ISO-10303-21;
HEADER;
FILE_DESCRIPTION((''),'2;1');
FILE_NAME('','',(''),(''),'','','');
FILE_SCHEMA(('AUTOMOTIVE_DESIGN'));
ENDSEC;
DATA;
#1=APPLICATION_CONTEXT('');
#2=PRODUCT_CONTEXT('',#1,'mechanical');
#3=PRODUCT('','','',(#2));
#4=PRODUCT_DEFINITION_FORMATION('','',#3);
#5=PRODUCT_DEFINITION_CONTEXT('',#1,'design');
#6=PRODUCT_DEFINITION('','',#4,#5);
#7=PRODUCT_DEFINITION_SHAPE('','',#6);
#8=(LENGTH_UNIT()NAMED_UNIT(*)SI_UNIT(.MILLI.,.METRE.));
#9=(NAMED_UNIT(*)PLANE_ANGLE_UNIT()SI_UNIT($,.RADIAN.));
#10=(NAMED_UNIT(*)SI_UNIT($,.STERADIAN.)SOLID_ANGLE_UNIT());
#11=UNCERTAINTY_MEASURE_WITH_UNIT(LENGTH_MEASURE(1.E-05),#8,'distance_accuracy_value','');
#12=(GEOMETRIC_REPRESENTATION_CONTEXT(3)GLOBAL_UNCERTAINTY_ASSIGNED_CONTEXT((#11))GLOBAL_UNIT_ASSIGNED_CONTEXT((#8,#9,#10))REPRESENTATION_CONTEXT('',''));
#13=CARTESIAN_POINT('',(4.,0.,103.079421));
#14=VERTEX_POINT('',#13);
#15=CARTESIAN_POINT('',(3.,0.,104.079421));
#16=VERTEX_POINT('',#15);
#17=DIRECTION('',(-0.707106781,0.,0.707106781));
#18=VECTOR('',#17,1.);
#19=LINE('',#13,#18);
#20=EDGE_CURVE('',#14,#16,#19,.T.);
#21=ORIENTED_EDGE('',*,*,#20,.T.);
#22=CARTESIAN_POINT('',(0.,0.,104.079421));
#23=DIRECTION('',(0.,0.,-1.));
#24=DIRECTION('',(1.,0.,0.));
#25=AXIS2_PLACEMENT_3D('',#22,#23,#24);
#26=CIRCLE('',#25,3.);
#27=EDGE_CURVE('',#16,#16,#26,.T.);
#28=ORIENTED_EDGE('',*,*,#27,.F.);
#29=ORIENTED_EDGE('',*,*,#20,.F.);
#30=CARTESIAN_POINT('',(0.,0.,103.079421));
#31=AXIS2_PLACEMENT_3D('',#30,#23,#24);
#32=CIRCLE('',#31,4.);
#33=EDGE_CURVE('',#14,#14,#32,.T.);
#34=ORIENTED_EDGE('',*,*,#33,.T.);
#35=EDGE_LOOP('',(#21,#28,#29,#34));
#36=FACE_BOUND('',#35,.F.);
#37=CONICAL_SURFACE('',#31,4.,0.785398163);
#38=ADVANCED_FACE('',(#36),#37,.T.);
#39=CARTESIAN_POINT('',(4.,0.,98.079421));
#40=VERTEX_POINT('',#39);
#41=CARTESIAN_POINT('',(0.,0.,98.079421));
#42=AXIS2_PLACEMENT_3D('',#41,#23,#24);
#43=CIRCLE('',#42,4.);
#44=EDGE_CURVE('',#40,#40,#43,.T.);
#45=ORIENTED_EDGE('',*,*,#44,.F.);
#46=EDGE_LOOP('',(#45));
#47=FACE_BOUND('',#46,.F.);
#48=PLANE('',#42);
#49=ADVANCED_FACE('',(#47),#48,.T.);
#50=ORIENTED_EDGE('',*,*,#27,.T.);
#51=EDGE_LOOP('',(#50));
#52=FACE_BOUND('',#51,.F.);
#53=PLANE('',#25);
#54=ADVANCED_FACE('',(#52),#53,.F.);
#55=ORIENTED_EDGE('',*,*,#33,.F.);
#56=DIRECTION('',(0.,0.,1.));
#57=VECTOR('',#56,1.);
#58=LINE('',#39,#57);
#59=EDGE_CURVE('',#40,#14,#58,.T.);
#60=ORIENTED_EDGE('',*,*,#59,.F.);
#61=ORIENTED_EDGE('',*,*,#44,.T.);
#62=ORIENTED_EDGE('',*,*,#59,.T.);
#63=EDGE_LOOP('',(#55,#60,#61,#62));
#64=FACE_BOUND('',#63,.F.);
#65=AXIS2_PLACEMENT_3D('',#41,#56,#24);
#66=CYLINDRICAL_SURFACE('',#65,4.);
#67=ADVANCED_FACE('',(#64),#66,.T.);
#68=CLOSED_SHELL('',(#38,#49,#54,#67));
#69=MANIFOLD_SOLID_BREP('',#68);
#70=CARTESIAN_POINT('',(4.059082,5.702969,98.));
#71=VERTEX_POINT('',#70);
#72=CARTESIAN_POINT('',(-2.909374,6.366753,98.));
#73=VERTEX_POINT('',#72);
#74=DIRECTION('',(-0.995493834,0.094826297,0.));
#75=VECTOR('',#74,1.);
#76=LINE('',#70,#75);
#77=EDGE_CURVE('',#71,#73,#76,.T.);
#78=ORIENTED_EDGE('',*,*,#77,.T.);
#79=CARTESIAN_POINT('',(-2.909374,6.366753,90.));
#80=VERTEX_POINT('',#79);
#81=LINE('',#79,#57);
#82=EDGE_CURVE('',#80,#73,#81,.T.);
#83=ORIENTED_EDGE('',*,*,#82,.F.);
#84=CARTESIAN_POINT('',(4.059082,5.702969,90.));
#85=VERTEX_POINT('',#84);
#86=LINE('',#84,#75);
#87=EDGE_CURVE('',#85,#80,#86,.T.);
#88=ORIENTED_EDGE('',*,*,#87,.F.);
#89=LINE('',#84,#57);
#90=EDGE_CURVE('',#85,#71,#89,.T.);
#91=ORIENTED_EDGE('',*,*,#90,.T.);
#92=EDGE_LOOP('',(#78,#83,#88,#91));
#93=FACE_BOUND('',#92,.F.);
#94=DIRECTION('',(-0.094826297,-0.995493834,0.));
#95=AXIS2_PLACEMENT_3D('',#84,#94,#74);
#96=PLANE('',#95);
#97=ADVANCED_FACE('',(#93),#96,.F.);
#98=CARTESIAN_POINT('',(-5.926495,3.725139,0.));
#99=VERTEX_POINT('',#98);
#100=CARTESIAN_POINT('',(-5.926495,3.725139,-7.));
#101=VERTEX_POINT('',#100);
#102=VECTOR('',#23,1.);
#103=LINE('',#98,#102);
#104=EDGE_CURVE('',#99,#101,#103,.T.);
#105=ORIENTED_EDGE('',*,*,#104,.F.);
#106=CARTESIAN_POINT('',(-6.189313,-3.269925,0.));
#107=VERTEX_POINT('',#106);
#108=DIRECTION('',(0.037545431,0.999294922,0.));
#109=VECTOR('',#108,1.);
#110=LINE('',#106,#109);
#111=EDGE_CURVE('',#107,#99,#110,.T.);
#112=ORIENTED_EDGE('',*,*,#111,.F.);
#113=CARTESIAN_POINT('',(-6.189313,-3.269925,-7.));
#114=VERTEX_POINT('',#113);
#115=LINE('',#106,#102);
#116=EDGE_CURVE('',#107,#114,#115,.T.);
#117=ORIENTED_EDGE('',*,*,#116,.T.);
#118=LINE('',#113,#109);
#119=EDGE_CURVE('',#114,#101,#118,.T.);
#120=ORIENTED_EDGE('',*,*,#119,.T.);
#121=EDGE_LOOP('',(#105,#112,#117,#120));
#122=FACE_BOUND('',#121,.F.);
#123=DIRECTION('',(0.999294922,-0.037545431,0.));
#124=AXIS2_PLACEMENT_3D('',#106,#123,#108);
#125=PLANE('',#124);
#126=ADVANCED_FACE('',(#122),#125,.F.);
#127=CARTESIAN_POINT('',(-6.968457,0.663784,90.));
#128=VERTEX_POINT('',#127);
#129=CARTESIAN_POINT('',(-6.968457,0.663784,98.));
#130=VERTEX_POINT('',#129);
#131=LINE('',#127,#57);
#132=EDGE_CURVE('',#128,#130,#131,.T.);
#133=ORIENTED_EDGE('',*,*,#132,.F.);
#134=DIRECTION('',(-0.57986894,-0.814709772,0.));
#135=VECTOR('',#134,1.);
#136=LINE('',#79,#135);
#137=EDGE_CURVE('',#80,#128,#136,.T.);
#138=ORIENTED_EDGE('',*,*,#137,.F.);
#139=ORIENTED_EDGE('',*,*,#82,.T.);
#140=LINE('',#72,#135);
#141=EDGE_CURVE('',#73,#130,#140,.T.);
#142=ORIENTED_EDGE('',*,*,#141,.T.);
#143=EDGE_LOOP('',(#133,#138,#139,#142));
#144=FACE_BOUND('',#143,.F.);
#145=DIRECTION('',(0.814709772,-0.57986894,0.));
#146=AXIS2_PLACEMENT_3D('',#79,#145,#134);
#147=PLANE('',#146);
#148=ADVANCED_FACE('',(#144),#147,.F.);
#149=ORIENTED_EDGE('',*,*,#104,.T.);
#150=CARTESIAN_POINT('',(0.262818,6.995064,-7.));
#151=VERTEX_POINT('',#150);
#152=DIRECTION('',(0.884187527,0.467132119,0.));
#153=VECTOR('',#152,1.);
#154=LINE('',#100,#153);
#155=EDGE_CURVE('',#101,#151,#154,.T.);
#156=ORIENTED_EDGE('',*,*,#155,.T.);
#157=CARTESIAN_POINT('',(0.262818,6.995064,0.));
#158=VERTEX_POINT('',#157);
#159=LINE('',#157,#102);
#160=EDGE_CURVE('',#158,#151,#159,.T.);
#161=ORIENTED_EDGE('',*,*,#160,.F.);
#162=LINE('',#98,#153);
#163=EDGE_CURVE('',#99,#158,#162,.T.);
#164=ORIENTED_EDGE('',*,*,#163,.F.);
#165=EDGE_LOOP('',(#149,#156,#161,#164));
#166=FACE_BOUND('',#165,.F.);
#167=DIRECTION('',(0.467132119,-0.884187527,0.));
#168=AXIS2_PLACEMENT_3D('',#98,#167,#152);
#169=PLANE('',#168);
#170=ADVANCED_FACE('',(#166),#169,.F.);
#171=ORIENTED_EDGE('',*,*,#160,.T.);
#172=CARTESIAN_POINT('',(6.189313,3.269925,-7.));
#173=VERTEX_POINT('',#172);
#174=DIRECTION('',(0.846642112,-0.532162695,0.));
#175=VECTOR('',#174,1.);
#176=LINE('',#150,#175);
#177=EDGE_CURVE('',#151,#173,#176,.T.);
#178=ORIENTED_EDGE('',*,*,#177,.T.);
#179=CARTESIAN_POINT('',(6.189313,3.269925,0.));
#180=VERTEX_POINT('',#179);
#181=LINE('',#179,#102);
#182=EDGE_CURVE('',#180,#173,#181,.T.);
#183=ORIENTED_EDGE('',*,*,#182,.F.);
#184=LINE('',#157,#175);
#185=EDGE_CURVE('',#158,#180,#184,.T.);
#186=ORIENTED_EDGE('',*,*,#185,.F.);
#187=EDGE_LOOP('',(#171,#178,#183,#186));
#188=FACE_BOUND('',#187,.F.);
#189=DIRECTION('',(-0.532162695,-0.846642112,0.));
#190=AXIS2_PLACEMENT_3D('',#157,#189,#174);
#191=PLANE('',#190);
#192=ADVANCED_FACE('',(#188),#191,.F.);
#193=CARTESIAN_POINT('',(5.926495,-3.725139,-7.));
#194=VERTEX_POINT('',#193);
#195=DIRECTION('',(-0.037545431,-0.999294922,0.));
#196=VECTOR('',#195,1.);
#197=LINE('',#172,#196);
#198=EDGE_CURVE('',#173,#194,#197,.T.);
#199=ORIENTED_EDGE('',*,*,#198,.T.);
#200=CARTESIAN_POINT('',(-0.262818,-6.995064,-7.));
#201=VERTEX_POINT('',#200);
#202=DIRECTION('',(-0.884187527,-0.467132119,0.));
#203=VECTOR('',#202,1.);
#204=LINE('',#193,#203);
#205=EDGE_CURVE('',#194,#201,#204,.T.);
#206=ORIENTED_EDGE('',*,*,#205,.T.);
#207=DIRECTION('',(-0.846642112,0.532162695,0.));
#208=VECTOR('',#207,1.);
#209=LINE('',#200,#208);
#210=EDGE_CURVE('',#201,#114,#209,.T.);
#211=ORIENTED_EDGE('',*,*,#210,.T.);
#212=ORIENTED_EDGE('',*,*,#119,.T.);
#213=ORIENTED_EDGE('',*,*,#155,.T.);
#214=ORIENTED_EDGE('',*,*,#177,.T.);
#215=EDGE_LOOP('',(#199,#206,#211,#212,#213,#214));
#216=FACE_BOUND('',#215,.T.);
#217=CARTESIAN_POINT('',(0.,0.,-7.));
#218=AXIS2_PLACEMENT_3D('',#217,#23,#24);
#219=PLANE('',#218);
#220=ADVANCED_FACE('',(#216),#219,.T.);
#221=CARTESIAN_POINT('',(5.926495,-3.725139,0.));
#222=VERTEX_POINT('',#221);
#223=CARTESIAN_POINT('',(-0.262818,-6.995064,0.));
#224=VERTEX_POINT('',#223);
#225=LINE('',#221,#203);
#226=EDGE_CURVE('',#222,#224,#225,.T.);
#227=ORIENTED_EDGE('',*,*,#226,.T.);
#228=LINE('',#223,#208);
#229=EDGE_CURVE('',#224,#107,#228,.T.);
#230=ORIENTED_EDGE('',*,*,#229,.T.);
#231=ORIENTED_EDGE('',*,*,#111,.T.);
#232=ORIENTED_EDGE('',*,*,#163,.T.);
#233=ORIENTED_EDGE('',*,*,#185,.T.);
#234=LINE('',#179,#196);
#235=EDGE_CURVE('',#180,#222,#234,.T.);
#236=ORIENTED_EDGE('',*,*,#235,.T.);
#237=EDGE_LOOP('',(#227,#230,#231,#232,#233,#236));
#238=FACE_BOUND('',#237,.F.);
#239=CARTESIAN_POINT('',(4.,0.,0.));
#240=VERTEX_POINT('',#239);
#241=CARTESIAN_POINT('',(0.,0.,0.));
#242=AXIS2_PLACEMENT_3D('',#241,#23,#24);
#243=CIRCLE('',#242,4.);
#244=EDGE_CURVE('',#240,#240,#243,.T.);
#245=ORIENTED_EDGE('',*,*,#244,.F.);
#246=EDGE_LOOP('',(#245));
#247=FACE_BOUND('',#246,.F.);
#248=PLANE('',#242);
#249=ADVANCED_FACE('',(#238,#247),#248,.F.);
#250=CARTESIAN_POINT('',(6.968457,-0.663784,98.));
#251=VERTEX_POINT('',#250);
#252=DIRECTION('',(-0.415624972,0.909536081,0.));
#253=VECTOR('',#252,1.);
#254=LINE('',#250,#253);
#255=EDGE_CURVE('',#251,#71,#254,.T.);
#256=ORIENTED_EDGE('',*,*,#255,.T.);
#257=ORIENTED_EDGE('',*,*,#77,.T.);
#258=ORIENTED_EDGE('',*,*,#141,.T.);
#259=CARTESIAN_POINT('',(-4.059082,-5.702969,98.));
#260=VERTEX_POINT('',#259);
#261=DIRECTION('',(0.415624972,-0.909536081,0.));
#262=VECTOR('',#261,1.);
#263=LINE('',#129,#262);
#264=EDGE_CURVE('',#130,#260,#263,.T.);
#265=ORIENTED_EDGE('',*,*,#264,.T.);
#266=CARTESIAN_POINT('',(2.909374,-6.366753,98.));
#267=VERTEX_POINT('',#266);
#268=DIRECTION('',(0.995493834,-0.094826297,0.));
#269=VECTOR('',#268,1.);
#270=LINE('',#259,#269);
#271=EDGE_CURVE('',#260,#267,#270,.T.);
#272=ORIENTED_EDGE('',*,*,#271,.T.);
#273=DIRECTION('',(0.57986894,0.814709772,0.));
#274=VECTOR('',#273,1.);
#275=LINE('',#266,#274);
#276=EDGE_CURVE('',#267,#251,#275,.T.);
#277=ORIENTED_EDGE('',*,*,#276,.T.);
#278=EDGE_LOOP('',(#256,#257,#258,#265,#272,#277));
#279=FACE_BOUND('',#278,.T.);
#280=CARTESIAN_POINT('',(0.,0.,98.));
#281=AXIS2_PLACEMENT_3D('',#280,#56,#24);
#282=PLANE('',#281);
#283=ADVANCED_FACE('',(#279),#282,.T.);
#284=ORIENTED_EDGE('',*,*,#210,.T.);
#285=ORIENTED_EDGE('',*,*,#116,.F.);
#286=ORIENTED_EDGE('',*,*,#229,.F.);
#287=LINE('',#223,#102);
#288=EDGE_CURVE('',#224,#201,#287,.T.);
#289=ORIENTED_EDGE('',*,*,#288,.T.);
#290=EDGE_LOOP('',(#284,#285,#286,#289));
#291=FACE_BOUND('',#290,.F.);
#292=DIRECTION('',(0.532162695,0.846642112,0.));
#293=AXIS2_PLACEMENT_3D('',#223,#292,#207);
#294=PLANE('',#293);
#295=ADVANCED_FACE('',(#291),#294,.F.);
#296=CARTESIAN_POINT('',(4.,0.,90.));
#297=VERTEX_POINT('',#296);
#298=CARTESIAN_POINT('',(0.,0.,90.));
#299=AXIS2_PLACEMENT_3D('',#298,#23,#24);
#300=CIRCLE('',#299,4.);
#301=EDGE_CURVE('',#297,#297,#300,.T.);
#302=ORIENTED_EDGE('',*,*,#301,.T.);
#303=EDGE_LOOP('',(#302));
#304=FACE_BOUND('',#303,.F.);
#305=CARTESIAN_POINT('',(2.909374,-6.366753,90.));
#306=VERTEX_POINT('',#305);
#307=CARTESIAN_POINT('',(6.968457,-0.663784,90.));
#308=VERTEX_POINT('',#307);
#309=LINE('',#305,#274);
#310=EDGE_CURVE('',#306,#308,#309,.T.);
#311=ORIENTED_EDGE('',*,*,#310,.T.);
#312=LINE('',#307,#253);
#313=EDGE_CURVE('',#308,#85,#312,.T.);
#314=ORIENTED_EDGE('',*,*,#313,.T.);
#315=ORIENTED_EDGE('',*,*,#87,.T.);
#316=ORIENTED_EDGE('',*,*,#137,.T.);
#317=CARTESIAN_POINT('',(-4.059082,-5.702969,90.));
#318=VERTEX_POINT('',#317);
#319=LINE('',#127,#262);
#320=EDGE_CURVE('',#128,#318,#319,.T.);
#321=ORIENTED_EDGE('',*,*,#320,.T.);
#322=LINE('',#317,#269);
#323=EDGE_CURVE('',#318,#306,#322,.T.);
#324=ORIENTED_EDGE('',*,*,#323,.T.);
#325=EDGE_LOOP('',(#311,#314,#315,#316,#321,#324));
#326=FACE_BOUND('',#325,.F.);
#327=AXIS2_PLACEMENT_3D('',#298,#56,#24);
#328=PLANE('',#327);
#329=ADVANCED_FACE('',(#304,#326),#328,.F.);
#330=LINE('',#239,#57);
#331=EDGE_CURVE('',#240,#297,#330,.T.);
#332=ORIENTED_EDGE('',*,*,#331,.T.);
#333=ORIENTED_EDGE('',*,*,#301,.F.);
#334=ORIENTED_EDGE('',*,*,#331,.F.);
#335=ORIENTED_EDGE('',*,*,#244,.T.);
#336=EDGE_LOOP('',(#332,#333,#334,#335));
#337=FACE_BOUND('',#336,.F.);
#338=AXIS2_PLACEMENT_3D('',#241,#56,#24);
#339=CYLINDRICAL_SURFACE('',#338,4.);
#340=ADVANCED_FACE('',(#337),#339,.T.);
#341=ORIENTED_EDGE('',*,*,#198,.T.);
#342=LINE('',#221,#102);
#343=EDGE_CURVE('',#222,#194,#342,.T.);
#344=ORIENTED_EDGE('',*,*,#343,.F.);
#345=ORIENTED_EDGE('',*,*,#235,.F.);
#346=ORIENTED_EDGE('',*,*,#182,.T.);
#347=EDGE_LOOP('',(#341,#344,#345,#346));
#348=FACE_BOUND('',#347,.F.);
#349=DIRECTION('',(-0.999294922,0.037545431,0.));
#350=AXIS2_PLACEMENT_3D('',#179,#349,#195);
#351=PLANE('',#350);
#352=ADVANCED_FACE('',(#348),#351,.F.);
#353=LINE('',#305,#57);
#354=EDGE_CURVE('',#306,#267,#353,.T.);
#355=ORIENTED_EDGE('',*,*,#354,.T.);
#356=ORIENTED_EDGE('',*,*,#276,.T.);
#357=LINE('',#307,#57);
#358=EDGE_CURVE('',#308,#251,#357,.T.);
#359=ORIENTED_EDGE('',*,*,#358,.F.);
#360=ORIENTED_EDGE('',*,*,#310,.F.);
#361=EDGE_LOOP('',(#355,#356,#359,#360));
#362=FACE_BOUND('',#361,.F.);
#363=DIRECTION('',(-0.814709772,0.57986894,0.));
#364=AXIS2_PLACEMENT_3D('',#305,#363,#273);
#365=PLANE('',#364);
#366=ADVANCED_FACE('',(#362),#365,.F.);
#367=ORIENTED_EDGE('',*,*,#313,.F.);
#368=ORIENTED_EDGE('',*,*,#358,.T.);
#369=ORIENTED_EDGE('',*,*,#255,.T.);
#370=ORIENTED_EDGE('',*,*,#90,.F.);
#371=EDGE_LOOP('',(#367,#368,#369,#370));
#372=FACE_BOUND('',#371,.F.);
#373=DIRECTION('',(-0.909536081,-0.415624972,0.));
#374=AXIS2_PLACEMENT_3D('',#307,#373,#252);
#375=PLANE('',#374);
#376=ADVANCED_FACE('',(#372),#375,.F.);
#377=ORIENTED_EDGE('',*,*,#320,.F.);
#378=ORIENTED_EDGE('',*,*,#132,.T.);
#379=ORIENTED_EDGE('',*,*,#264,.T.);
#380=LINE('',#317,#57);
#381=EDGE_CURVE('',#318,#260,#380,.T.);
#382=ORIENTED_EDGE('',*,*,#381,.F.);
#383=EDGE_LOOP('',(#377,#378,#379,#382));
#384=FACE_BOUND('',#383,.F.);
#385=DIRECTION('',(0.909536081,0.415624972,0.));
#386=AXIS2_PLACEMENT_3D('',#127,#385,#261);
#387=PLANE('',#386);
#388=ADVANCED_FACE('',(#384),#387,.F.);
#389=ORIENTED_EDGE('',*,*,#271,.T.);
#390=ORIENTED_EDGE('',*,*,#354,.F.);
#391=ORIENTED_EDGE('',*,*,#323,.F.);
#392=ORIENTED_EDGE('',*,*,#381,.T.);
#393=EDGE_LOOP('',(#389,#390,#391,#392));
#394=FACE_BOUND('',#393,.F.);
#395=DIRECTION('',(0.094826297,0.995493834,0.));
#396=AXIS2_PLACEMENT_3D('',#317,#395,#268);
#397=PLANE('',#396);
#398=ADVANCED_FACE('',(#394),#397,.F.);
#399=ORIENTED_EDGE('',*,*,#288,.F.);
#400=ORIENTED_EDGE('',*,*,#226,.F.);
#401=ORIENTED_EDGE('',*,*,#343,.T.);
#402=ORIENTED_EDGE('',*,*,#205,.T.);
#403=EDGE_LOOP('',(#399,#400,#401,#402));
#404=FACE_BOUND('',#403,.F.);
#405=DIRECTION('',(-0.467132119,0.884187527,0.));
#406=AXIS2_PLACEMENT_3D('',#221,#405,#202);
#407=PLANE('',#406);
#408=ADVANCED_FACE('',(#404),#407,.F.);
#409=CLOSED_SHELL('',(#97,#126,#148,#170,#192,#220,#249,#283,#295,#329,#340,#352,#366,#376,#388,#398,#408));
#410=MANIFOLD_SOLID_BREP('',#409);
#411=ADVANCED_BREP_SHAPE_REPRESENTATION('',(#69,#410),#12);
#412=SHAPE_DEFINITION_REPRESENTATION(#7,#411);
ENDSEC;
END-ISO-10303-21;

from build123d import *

# Parameters (mm, degrees)
F3_DEPTH = 7
F5_DEPTH = 8


with BuildPart() as f1:
    # F0 (on Front) → F1 (revolve)
    with BuildSketch(Plane.XZ):
        Polygon((4, 0), (4, 90), (0, 90), (0, 65), (0, 0), align=None)
    revolve(axis=Axis((0, 0, 32.5), (0, 0, -1)))

    # F2 (on face) → F3 (join)
    with BuildSketch(Plane(origin=(0, 0, 0), x_dir=(1, 0, 0), z_dir=(0, 0, -1))):
        Polygon((6.189313, -3.269925), (5.926495, 3.725139), (-0.262818, 6.995064), (-6.189313, 3.269925), (-5.926495, -3.725139), (0.262818, -6.995064), align=None)
    extrude(amount=F3_DEPTH)

    # F4 (on face) → F5 (join)
    with BuildSketch(Plane.XY.offset(90)):
        Polygon((6.968457, -0.663784), (4.059082, 5.702969), (-2.909374, 6.366753), (-6.968457, 0.663784), (-4.059082, -5.702969), (2.909374, -6.366753), align=None)
    extrude(amount=F5_DEPTH)


with BuildPart() as f7:
    # F6 (on Front) → F7 (revolve)
    with BuildSketch(Plane.XZ):
        Polygon((0, 104.079421), (0, 98.079421), (4, 98.079421), (4, 103.079421), (3, 104.079421), align=None)
    revolve(axis=Axis((0, 0, 101.079421), (0, 0, -1)))


solid = Compound([f1.part, f7.part])
